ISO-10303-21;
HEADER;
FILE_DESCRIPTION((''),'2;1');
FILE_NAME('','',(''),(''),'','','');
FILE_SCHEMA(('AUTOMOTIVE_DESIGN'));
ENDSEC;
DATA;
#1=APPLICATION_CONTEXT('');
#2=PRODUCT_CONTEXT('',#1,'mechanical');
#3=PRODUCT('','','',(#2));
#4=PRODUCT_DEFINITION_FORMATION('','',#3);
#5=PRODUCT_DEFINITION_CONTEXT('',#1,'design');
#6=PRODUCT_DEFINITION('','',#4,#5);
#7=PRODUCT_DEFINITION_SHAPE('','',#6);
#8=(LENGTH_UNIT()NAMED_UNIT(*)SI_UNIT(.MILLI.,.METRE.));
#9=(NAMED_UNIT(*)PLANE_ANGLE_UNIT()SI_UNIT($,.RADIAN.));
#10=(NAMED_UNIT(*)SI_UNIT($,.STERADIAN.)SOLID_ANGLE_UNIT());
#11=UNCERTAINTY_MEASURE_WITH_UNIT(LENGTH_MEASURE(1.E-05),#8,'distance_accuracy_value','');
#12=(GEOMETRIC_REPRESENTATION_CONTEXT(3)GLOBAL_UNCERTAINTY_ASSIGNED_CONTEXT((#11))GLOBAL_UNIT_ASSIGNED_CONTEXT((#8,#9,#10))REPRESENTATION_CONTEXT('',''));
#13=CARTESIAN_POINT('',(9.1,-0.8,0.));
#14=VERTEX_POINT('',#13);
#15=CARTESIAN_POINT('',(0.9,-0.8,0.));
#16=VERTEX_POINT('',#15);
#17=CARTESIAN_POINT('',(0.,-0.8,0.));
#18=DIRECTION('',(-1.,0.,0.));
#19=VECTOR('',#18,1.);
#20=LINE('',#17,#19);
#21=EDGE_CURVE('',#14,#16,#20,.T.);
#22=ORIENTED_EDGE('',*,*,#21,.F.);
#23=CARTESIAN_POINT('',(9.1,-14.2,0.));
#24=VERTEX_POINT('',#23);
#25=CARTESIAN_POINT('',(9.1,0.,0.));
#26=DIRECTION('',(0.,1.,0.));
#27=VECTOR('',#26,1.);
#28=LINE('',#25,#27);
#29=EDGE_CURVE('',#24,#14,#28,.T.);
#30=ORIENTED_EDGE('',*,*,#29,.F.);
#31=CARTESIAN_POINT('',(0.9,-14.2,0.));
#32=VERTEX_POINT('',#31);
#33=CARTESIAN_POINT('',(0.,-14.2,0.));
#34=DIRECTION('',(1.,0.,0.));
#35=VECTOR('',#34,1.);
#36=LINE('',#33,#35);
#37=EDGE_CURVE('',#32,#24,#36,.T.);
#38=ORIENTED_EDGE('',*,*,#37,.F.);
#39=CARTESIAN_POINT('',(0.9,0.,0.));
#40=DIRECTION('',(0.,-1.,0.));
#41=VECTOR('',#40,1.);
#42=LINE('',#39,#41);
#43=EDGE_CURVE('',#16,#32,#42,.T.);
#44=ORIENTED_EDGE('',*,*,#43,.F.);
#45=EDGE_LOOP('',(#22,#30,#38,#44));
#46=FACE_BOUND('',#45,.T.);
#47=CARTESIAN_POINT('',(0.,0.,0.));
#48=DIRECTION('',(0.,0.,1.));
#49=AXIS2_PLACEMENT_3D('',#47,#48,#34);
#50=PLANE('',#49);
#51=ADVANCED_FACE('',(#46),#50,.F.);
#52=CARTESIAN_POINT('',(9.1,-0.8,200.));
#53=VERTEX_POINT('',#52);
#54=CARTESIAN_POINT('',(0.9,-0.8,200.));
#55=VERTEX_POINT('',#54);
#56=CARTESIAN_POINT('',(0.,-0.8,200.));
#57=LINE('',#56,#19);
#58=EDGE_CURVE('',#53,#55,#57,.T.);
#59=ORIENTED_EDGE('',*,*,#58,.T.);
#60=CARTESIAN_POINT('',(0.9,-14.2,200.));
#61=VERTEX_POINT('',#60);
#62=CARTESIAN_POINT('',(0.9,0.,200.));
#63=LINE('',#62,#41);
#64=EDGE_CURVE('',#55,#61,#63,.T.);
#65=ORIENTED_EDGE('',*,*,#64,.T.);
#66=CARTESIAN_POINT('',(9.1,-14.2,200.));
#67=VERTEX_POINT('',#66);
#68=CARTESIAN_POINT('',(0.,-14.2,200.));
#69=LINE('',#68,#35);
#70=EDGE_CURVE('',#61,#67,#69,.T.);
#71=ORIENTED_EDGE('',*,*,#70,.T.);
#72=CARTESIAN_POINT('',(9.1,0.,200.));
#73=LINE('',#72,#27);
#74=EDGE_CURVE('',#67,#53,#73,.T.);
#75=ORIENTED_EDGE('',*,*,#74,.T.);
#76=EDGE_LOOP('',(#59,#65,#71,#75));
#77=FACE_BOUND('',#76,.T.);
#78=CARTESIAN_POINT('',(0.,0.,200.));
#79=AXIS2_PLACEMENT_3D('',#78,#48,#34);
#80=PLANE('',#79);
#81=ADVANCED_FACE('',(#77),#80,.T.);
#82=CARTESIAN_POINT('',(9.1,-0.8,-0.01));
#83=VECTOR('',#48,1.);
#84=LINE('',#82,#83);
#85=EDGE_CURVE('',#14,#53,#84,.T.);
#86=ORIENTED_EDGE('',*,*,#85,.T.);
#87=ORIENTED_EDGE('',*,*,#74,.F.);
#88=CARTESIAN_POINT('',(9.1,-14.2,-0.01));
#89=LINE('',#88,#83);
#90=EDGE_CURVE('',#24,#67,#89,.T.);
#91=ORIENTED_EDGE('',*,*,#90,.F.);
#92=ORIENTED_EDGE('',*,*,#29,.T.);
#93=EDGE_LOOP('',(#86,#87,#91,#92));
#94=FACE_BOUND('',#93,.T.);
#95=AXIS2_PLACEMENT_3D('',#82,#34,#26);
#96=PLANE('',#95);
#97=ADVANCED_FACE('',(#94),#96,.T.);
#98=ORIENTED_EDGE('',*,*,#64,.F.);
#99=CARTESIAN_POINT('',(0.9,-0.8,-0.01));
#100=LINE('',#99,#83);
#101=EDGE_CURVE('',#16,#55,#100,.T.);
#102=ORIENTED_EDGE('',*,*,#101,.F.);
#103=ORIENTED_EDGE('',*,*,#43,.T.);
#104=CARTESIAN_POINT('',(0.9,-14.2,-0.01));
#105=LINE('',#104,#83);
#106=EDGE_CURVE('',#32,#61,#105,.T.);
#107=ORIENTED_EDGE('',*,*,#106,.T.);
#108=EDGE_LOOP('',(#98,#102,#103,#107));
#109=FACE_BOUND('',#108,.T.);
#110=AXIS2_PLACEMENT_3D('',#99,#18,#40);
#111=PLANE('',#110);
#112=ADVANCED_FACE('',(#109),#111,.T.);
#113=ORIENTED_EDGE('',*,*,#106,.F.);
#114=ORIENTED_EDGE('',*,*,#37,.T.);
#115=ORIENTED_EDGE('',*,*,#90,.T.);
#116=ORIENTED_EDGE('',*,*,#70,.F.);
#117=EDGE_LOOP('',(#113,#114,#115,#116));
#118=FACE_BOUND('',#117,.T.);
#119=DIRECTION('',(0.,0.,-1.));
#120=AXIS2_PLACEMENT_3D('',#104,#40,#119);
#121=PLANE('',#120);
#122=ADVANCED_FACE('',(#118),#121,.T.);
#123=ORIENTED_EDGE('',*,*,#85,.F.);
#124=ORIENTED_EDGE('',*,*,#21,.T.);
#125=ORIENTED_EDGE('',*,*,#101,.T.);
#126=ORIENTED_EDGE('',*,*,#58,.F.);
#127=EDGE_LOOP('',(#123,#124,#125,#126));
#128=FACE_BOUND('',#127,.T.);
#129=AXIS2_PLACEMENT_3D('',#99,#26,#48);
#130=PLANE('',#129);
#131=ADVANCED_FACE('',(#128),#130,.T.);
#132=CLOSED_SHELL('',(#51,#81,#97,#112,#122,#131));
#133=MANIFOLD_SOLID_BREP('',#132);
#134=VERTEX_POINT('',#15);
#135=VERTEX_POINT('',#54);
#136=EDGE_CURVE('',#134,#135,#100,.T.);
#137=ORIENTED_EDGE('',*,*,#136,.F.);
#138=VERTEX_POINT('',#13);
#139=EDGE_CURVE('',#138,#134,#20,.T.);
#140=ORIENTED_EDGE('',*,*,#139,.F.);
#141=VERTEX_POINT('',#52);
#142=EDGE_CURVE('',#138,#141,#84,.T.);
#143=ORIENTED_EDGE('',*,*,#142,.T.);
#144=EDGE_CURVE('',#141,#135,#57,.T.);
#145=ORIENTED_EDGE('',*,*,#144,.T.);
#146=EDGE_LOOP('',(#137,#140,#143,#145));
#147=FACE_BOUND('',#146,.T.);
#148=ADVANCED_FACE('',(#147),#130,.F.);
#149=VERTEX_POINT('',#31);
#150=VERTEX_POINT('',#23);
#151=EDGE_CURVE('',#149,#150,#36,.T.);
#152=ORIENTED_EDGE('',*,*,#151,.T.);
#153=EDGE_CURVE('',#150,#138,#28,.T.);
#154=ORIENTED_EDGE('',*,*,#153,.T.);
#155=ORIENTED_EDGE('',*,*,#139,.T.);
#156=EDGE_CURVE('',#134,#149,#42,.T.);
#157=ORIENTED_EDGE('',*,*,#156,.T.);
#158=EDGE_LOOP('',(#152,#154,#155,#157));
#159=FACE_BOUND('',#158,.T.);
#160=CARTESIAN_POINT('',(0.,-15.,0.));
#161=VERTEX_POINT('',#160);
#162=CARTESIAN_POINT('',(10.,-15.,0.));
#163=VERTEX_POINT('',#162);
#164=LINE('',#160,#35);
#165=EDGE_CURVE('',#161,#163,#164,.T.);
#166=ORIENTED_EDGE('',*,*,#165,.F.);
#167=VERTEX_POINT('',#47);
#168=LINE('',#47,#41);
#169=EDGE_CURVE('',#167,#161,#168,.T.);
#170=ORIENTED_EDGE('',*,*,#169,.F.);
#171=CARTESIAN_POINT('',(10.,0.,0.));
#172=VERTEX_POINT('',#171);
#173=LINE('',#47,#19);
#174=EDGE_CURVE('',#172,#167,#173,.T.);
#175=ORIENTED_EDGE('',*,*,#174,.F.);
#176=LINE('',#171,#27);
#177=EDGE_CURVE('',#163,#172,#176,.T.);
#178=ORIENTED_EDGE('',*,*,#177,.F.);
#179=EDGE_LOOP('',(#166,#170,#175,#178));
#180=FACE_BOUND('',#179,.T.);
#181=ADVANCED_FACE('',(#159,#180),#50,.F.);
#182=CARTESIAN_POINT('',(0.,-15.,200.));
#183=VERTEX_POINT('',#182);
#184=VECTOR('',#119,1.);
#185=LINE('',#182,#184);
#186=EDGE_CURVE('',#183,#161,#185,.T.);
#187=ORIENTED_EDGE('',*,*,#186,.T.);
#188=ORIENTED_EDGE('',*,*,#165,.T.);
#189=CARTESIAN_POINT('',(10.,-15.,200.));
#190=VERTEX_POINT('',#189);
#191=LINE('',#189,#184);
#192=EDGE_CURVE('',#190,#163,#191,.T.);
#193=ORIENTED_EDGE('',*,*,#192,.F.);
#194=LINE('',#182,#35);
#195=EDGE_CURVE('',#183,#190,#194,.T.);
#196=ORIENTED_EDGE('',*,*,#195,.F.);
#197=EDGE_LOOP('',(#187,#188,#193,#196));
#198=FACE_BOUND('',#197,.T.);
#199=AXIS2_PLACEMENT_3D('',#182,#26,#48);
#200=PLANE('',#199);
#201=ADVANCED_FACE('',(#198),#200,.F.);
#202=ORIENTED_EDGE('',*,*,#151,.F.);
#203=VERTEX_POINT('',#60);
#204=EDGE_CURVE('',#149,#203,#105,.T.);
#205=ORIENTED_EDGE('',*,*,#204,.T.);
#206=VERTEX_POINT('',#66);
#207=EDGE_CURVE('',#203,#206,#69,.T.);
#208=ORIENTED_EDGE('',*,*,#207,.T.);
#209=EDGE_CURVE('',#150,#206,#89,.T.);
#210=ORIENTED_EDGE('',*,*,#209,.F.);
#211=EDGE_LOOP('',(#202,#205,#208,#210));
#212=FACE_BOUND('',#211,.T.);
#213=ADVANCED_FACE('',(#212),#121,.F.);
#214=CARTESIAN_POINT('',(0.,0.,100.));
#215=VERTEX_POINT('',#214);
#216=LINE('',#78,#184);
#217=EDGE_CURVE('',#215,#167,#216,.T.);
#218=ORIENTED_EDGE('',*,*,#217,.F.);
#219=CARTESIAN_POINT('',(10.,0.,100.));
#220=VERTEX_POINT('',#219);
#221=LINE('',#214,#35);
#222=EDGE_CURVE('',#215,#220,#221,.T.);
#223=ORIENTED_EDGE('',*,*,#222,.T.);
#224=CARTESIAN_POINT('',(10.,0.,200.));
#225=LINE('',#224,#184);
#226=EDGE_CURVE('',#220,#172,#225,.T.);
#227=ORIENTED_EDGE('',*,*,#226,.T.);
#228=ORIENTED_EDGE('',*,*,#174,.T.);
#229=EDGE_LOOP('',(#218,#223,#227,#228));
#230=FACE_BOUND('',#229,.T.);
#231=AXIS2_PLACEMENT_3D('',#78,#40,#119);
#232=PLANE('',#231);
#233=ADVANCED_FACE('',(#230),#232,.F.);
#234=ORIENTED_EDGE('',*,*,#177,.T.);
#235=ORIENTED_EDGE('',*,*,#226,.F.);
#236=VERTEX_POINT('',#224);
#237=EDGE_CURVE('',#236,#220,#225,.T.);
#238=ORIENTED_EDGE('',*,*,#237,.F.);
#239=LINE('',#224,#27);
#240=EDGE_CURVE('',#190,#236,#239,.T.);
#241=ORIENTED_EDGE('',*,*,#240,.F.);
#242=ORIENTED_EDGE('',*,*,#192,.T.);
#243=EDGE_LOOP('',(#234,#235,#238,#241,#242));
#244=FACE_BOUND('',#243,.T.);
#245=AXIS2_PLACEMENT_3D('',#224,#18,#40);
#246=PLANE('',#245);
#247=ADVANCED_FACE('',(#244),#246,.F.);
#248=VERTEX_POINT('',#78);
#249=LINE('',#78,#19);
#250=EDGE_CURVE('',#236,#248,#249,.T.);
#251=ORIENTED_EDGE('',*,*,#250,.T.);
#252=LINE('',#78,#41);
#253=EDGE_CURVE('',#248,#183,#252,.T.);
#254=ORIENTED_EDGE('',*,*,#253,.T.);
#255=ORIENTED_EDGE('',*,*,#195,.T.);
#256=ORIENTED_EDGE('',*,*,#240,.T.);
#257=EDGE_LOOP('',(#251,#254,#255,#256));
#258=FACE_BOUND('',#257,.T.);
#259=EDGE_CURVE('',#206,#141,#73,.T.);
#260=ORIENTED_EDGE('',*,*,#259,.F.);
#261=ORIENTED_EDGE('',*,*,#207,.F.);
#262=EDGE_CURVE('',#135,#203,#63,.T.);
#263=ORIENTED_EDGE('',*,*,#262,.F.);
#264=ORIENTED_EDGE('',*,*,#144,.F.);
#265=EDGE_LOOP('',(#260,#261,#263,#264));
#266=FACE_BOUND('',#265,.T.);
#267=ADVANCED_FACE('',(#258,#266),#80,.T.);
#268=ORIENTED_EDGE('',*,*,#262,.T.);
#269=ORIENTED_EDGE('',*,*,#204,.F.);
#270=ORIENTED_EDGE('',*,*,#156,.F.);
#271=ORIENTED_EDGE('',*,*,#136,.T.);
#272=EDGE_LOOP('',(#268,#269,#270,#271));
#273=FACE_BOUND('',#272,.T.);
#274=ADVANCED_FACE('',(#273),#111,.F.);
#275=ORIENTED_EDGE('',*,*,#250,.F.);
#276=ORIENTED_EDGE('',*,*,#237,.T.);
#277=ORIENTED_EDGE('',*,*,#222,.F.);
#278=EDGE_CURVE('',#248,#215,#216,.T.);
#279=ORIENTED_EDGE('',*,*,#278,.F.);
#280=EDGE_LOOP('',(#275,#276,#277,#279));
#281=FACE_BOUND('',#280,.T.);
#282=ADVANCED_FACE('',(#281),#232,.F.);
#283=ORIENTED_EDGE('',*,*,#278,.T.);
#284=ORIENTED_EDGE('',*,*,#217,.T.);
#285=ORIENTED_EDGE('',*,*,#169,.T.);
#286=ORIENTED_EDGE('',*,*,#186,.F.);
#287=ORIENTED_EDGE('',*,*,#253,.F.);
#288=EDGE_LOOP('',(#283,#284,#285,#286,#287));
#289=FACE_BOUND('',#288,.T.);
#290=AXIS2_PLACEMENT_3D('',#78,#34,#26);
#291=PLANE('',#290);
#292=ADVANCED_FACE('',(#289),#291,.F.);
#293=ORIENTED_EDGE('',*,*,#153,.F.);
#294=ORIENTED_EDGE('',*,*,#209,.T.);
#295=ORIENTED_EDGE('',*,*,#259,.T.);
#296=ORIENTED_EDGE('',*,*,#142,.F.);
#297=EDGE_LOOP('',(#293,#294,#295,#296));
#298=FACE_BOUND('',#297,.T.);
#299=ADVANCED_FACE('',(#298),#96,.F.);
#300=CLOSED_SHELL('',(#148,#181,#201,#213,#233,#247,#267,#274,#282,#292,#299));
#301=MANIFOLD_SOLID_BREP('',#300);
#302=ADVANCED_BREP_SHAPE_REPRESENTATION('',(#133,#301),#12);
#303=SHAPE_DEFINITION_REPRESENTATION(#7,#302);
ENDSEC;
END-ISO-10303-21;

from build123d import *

# Parameters (mm, degrees)
SZKIC1_W                    = 10
SZKIC1_H                    = 15
DODANIE_WYCI_GNI_CIE3_DEPTH = 200
PODZIEL1_SURFACE_1_BACK     = 201.811
PODZIEL1_SURFACE_1_DEPTH    = 403.622
PODZIEL1_SURFACE_2_BACK     = 201.811
PODZIEL1_SURFACE_2_DEPTH    = 403.622


with BuildPart() as part:
    # Szkic1 → Dodanie-wyciągnięcie3 (new body)
    with BuildSketch(Plane.XY):
        with Locations((5, -7.5)):
            Rectangle(SZKIC1_W, SZKIC1_H)
    extrude(amount=DODANIE_WYCI_GNI_CIE3_DEPTH)


with BuildPart() as body_2:
    # Podziel1: the piece behind the surface
    add(part.part)
    # Podziel1 surface: a surface, the sketch's curves swept straight by 403.622 mm
    with BuildLine(Plane.XY.offset(200).offset(-PODZIEL1_SURFACE_1_BACK), mode=Mode.PRIVATE) as podziel1_surface_1_path:
        Line((0.9, -0.8), (9.1, -0.8))
        Line((9.1, -0.8), (9.1, -14.2))
        Line((9.1, -14.2), (0.9, -14.2))
        Line((0.9, -14.2), (0.9, -0.8))
    podziel1_surface_1 = Shell.extrude(podziel1_surface_1_path.wire(), (0 * PODZIEL1_SURFACE_1_DEPTH, 0 * PODZIEL1_SURFACE_1_DEPTH, 1 * PODZIEL1_SURFACE_1_DEPTH))
    split(bisect_by=podziel1_surface_1, keep=Keep.BOTTOM)


with BuildPart() as part_1:
    add(part.part)

    # Podziel1: split by a surface, the side it looks to stays
    # Podziel1 surface: a surface, the sketch's curves swept straight by 403.622 mm
    with BuildLine(Plane.XY.offset(200).offset(-PODZIEL1_SURFACE_2_BACK), mode=Mode.PRIVATE) as podziel1_surface_2_path:
        Line((0.9, -0.8), (9.1, -0.8))
        Line((9.1, -0.8), (9.1, -14.2))
        Line((9.1, -14.2), (0.9, -14.2))
        Line((0.9, -14.2), (0.9, -0.8))
    podziel1_surface_2 = Shell.extrude(podziel1_surface_2_path.wire(), (0 * PODZIEL1_SURFACE_2_DEPTH, 0 * PODZIEL1_SURFACE_2_DEPTH, 1 * PODZIEL1_SURFACE_2_DEPTH))
    split(bisect_by=podziel1_surface_2, keep=Keep.TOP)


solid = Compound([body_2.part, part_1.part])
